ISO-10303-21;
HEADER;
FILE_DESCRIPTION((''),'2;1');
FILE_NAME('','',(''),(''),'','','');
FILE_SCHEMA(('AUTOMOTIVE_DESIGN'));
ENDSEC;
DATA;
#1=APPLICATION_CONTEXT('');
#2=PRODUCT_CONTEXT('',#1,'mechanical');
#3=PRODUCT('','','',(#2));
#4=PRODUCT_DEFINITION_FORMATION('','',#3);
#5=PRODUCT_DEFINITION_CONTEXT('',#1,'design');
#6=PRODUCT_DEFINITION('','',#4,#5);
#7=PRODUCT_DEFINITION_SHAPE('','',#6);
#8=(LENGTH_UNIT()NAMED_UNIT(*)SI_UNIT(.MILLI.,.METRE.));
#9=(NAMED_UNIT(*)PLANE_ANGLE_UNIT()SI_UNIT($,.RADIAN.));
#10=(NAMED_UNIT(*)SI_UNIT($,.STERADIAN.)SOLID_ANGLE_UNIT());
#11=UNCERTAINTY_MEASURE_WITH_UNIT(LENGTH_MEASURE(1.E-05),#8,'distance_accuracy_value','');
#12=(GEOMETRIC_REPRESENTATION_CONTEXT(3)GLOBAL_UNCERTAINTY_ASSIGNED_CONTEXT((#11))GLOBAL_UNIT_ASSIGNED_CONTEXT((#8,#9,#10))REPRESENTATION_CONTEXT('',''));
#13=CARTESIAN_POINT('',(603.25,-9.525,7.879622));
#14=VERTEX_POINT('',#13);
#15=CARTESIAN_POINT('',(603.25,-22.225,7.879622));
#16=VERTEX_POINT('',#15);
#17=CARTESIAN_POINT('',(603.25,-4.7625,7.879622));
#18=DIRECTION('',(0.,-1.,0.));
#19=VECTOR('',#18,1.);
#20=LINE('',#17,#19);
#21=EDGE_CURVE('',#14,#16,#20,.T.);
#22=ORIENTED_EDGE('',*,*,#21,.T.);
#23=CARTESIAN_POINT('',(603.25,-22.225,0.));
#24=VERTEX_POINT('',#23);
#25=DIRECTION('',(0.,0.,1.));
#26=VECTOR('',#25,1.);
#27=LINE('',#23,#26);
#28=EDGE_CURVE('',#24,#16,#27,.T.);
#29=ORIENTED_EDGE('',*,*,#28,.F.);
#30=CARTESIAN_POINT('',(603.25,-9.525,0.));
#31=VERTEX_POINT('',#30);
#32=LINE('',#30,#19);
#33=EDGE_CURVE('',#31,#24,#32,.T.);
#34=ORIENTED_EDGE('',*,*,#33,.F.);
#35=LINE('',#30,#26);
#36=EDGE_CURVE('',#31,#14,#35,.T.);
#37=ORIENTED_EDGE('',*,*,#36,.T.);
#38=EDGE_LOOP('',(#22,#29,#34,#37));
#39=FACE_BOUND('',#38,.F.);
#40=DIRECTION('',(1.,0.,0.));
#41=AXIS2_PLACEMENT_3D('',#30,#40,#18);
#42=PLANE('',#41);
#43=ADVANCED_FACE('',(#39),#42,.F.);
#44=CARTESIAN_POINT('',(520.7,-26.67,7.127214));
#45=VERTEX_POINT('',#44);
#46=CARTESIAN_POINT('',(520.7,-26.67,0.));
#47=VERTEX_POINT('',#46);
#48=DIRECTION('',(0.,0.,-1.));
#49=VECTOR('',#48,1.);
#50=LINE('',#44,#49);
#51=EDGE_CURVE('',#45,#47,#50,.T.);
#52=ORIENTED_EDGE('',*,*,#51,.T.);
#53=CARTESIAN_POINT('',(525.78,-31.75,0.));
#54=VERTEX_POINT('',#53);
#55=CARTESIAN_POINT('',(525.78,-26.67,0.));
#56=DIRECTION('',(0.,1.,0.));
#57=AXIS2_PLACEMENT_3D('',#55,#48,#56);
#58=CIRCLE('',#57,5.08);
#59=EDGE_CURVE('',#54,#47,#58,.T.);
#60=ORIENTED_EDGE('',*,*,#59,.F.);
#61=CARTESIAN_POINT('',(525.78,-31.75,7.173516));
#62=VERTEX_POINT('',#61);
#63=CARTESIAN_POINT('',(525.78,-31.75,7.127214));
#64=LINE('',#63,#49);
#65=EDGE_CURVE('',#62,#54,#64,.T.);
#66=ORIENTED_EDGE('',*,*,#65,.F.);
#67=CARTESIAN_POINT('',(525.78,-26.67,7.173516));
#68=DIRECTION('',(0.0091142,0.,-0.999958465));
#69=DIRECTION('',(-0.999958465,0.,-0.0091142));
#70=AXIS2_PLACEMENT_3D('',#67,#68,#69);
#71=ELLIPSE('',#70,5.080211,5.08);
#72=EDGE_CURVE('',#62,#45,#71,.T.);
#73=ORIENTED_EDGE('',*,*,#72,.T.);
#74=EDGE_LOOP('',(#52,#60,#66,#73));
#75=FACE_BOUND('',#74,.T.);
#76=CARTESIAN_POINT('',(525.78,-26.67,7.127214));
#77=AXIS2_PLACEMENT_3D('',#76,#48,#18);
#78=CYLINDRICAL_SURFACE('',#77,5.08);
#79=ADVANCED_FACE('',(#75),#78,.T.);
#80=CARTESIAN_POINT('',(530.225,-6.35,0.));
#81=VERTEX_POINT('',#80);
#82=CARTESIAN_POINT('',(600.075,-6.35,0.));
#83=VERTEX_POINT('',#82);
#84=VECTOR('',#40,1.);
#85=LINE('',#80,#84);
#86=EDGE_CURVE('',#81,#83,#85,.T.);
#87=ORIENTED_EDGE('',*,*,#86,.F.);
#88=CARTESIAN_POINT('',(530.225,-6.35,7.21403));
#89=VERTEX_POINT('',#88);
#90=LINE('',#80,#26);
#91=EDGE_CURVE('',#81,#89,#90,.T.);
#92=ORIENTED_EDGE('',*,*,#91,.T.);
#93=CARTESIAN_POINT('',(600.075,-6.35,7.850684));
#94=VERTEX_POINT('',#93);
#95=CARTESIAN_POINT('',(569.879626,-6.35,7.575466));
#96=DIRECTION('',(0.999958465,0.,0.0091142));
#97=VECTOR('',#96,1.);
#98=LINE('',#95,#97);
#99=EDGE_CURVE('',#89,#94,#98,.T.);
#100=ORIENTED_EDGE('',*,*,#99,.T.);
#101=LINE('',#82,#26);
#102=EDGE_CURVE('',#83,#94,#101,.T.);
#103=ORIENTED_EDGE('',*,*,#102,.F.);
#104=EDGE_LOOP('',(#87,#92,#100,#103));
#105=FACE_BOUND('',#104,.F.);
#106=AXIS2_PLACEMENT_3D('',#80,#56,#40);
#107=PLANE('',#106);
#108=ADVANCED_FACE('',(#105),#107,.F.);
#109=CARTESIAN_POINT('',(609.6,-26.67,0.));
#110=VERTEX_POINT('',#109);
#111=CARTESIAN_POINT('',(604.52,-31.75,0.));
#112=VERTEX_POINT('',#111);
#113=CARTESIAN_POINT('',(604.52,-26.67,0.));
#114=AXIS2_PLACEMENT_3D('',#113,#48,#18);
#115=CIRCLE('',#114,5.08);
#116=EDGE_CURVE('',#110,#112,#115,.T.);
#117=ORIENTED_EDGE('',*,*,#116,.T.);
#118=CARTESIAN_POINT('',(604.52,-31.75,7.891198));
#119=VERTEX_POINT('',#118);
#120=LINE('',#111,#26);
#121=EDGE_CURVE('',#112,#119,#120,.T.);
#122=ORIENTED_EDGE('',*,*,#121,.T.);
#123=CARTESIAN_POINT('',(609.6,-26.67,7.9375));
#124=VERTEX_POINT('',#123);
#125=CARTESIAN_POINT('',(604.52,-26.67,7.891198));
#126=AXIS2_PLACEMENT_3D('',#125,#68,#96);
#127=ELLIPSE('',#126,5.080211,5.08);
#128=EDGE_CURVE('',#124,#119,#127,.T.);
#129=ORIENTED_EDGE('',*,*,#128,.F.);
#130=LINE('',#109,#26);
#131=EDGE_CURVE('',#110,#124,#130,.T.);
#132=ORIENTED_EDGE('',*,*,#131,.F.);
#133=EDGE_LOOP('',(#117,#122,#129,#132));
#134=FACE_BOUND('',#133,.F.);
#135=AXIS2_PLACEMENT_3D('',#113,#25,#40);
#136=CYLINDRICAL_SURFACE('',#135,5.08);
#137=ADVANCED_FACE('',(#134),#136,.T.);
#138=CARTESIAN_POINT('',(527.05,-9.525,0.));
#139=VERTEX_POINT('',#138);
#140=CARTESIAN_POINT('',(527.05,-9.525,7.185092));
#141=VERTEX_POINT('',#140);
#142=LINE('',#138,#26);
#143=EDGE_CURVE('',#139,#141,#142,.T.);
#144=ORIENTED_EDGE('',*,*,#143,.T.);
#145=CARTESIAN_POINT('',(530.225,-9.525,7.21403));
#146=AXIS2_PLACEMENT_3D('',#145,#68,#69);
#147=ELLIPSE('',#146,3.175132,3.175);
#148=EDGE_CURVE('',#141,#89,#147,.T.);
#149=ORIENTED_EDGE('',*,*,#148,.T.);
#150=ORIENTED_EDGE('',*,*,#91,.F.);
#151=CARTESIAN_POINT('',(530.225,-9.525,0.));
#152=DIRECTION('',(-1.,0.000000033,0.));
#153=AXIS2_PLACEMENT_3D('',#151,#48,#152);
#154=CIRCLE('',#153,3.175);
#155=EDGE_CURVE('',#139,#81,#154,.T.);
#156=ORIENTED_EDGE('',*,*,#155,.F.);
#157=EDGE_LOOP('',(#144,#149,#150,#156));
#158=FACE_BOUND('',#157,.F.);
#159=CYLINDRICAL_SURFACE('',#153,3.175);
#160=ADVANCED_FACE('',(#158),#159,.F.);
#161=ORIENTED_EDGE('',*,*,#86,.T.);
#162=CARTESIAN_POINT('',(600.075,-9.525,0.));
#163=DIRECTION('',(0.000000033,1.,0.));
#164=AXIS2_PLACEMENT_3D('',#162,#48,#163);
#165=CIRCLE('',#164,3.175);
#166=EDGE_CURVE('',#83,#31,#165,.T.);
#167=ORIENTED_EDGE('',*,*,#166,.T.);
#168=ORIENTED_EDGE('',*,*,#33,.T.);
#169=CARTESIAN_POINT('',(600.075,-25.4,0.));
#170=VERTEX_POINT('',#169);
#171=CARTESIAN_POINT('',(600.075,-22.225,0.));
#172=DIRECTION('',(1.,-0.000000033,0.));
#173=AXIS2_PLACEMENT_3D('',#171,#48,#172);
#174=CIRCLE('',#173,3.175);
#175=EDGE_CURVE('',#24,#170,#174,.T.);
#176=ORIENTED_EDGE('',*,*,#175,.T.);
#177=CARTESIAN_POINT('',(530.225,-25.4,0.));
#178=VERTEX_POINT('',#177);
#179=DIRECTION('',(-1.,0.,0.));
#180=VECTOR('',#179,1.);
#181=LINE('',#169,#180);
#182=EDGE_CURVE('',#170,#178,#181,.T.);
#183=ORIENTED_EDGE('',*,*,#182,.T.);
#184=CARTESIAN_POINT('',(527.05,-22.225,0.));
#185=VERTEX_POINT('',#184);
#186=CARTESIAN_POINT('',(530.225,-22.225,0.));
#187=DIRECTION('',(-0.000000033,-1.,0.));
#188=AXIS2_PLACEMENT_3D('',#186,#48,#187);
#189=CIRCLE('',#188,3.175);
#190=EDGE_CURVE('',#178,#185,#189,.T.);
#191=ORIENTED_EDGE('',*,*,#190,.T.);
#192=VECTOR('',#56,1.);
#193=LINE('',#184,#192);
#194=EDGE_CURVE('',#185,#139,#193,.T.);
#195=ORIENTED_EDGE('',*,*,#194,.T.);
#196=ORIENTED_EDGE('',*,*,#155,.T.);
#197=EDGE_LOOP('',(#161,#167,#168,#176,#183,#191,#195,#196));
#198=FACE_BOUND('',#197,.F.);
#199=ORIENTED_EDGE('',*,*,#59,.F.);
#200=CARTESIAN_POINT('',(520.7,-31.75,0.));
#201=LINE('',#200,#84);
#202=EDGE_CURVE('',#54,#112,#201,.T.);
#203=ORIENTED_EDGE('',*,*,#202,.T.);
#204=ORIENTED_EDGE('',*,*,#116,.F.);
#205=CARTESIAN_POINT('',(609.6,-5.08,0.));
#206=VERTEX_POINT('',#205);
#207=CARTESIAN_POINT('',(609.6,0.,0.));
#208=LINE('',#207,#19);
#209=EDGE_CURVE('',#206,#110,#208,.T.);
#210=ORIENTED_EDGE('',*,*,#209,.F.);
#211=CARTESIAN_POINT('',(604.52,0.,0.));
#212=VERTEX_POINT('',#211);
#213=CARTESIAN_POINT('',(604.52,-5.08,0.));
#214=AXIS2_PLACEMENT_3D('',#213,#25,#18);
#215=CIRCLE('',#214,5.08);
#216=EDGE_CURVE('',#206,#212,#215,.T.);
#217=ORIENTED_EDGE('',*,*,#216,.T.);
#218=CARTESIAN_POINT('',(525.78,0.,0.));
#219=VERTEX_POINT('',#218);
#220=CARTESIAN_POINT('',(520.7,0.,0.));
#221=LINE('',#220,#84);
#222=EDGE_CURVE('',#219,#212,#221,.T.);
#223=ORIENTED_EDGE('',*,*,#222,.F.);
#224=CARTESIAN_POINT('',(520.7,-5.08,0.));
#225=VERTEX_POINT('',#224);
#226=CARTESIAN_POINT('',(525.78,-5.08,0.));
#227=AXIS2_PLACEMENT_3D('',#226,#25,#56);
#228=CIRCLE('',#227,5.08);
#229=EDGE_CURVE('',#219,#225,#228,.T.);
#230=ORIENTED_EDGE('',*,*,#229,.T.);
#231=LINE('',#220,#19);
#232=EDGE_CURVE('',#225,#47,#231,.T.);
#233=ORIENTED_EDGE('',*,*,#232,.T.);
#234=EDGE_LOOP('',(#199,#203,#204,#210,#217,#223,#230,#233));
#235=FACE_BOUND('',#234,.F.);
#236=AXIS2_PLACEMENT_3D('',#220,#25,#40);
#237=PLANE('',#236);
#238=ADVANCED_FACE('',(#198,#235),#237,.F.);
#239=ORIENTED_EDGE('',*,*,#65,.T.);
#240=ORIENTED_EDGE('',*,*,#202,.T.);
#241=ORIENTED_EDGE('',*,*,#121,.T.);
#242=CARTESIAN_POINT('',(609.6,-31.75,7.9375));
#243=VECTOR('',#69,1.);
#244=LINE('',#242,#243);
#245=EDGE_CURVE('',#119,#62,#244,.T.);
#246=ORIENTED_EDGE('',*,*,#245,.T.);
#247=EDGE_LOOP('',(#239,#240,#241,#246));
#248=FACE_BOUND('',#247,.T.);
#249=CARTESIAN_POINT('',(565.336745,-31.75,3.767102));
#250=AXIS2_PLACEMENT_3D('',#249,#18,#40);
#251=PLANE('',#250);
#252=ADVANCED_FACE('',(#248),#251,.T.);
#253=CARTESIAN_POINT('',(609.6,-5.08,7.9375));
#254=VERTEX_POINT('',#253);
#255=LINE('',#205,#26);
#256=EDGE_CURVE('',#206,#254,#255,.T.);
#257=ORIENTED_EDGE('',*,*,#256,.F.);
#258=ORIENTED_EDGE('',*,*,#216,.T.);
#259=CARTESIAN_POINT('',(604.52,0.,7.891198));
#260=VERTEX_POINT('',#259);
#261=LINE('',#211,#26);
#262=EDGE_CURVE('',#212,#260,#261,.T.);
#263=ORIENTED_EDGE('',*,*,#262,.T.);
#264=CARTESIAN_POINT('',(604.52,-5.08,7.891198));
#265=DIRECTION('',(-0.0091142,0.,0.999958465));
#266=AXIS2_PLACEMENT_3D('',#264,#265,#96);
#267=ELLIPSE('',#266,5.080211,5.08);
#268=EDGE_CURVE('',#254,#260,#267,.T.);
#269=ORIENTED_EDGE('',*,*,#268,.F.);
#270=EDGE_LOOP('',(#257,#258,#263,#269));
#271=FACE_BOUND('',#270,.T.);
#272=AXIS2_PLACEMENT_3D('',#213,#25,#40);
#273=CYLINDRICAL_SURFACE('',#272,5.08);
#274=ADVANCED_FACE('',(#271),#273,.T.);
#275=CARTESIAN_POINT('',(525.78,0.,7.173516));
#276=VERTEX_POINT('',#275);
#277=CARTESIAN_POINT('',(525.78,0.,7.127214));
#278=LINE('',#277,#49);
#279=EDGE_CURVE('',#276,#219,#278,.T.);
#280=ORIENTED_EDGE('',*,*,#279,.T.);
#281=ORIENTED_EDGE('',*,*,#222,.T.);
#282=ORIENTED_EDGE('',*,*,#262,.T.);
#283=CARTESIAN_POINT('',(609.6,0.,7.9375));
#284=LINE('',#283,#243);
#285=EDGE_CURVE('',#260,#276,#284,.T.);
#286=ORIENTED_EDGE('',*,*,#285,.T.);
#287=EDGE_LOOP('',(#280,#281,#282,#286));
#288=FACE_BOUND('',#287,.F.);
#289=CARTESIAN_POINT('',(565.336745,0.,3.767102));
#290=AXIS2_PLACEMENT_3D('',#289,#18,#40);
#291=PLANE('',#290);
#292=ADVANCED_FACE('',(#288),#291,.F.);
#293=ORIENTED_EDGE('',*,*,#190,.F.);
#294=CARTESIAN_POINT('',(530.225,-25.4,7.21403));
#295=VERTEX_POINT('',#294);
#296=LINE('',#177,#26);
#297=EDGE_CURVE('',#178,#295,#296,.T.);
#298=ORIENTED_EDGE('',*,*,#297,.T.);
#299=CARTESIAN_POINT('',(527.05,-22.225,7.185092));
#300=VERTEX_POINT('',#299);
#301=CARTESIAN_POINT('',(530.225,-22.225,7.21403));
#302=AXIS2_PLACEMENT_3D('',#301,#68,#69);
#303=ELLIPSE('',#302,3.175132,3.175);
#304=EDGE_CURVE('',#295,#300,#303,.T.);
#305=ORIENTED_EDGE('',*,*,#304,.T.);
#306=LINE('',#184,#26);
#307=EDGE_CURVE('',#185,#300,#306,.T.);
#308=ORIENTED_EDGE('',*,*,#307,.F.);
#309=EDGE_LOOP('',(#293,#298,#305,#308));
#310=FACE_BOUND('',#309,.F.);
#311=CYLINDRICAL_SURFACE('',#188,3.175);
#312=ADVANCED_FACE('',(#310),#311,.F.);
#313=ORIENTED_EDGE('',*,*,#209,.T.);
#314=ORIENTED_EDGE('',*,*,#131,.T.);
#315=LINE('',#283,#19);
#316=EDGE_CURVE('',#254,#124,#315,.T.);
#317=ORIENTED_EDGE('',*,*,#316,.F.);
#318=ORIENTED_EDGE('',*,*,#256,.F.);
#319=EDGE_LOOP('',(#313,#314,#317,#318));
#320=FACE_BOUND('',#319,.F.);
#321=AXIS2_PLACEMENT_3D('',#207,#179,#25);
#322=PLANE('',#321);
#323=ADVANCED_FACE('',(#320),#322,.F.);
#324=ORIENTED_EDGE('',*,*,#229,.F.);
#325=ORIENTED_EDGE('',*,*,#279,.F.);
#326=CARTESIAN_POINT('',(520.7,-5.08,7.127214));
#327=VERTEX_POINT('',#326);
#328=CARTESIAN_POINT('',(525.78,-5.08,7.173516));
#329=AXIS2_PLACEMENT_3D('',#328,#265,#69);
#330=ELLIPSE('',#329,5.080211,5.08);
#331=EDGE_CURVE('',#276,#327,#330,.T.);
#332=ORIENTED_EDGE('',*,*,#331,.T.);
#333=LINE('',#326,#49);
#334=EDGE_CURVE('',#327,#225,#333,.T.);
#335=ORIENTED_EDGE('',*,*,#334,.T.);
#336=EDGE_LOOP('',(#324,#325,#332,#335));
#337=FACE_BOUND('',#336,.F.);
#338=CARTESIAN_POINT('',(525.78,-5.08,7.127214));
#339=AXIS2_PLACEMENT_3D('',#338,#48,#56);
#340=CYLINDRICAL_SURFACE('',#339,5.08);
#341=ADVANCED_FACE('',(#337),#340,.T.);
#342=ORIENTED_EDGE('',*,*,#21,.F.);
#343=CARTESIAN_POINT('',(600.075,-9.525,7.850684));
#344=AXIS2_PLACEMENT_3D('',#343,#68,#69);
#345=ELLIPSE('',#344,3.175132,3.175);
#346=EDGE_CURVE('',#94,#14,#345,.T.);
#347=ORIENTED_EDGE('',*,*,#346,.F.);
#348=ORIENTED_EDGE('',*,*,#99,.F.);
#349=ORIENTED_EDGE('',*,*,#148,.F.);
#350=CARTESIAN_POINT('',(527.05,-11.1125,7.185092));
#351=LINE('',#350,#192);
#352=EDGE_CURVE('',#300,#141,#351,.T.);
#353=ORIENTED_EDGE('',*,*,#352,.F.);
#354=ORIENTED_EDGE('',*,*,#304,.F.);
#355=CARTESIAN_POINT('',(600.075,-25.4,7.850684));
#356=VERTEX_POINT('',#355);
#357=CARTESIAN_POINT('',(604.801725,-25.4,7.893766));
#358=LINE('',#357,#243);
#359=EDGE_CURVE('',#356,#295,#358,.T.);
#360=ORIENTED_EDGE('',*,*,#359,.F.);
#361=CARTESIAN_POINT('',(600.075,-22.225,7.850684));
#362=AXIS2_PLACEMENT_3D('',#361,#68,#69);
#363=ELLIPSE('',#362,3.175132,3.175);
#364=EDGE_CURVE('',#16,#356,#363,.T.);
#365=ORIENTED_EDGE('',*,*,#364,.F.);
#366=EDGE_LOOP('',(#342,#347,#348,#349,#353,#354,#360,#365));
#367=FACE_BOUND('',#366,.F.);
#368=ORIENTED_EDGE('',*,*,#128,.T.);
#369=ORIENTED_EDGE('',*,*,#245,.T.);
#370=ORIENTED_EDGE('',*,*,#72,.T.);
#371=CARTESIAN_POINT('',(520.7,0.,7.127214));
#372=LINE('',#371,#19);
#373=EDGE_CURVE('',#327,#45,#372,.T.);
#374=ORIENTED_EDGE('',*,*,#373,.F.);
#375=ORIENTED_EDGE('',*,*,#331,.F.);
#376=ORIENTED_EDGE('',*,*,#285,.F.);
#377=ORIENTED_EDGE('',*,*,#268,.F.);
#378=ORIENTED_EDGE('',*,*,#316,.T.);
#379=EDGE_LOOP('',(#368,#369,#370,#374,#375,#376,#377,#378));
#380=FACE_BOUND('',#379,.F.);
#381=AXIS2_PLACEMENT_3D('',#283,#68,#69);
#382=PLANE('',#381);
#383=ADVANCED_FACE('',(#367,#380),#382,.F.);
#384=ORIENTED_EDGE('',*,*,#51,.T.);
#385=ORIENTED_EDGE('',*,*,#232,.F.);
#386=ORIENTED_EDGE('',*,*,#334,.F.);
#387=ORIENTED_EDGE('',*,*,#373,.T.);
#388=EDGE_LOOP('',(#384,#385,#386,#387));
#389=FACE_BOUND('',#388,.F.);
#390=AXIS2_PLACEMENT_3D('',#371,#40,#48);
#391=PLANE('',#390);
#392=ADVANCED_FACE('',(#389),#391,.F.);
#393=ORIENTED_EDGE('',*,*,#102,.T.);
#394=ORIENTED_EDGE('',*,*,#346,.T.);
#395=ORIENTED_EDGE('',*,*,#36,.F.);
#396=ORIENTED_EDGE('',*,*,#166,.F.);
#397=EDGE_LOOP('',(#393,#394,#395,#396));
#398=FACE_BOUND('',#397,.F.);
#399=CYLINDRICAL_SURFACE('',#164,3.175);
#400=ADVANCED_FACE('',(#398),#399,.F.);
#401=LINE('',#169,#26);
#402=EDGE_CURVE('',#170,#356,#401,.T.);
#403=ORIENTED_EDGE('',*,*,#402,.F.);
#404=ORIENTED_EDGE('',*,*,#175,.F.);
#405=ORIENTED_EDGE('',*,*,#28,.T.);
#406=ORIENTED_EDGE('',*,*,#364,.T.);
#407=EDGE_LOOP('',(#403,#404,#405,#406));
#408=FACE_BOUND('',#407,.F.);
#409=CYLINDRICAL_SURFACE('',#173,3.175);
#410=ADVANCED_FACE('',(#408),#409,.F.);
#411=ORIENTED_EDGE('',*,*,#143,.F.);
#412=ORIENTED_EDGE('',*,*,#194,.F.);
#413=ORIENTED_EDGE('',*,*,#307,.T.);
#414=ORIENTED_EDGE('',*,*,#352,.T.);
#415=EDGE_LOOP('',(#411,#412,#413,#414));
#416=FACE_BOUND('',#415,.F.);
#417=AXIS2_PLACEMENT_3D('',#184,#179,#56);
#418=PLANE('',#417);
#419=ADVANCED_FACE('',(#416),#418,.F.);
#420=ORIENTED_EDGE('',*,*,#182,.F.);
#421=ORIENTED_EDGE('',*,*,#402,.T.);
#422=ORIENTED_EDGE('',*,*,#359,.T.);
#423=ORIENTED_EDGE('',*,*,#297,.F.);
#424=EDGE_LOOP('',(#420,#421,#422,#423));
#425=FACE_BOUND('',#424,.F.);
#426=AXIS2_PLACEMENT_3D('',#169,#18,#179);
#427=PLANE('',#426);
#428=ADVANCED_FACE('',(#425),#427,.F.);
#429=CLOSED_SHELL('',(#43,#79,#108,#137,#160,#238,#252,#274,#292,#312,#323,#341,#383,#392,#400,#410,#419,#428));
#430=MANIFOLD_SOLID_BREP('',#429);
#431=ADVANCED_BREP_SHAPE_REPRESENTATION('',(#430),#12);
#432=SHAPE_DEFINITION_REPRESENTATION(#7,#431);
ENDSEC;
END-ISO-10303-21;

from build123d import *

# Parameters (mm, degrees)
F3_DEPTH = 31.75
F5_DEPTH = 7.9385
F6_R     = 5.08


with BuildPart() as f3:
    # F1 (on Front) → F3 (new body)
    with BuildSketch(Plane.XZ):
        Polygon((609.6, 0), (609.6, 7.9375), (520.7, 7.127214), (520.7, 0), align=None)
    extrude(amount=F3_DEPTH)

    # F4 (on face) → F5 (cut, through all)
    with BuildSketch(Plane(origin=(0, 0, 0), x_dir=(1, 0, 0), z_dir=(0, 0, -1))):
        with BuildLine():
            Line((600.075, 25.4), (530.225, 25.4))
            ThreePointArc((530.225, 25.4), (527.979936, 24.470064), (527.05, 22.225))
            Line((527.05, 22.225), (527.05, 9.525))
            ThreePointArc((527.05, 9.525), (527.979936, 7.279936), (530.225, 6.35))
            Line((530.225, 6.35), (600.075, 6.35))
            ThreePointArc((600.075, 6.35), (602.320064, 7.279936), (603.25, 9.525))
            Line((603.25, 9.525), (603.25, 22.225))
            ThreePointArc((603.25, 22.225), (602.320064, 24.470064), (600.075, 25.4))
        make_face()
    extrude(amount=-F5_DEPTH, mode=Mode.SUBTRACT)

    # F6
    f6_edges = [f3.edges().sort_by_distance(p)[0] for p in [
        (520.7, -31.75, 3.563607),
        (520.7, 0, 3.563607),
        (609.6, -31.75, 3.96875),
        (609.6, 0, 3.96875),
    ]]
    fillet(f6_edges, radius=F6_R)


solid = f3.part
